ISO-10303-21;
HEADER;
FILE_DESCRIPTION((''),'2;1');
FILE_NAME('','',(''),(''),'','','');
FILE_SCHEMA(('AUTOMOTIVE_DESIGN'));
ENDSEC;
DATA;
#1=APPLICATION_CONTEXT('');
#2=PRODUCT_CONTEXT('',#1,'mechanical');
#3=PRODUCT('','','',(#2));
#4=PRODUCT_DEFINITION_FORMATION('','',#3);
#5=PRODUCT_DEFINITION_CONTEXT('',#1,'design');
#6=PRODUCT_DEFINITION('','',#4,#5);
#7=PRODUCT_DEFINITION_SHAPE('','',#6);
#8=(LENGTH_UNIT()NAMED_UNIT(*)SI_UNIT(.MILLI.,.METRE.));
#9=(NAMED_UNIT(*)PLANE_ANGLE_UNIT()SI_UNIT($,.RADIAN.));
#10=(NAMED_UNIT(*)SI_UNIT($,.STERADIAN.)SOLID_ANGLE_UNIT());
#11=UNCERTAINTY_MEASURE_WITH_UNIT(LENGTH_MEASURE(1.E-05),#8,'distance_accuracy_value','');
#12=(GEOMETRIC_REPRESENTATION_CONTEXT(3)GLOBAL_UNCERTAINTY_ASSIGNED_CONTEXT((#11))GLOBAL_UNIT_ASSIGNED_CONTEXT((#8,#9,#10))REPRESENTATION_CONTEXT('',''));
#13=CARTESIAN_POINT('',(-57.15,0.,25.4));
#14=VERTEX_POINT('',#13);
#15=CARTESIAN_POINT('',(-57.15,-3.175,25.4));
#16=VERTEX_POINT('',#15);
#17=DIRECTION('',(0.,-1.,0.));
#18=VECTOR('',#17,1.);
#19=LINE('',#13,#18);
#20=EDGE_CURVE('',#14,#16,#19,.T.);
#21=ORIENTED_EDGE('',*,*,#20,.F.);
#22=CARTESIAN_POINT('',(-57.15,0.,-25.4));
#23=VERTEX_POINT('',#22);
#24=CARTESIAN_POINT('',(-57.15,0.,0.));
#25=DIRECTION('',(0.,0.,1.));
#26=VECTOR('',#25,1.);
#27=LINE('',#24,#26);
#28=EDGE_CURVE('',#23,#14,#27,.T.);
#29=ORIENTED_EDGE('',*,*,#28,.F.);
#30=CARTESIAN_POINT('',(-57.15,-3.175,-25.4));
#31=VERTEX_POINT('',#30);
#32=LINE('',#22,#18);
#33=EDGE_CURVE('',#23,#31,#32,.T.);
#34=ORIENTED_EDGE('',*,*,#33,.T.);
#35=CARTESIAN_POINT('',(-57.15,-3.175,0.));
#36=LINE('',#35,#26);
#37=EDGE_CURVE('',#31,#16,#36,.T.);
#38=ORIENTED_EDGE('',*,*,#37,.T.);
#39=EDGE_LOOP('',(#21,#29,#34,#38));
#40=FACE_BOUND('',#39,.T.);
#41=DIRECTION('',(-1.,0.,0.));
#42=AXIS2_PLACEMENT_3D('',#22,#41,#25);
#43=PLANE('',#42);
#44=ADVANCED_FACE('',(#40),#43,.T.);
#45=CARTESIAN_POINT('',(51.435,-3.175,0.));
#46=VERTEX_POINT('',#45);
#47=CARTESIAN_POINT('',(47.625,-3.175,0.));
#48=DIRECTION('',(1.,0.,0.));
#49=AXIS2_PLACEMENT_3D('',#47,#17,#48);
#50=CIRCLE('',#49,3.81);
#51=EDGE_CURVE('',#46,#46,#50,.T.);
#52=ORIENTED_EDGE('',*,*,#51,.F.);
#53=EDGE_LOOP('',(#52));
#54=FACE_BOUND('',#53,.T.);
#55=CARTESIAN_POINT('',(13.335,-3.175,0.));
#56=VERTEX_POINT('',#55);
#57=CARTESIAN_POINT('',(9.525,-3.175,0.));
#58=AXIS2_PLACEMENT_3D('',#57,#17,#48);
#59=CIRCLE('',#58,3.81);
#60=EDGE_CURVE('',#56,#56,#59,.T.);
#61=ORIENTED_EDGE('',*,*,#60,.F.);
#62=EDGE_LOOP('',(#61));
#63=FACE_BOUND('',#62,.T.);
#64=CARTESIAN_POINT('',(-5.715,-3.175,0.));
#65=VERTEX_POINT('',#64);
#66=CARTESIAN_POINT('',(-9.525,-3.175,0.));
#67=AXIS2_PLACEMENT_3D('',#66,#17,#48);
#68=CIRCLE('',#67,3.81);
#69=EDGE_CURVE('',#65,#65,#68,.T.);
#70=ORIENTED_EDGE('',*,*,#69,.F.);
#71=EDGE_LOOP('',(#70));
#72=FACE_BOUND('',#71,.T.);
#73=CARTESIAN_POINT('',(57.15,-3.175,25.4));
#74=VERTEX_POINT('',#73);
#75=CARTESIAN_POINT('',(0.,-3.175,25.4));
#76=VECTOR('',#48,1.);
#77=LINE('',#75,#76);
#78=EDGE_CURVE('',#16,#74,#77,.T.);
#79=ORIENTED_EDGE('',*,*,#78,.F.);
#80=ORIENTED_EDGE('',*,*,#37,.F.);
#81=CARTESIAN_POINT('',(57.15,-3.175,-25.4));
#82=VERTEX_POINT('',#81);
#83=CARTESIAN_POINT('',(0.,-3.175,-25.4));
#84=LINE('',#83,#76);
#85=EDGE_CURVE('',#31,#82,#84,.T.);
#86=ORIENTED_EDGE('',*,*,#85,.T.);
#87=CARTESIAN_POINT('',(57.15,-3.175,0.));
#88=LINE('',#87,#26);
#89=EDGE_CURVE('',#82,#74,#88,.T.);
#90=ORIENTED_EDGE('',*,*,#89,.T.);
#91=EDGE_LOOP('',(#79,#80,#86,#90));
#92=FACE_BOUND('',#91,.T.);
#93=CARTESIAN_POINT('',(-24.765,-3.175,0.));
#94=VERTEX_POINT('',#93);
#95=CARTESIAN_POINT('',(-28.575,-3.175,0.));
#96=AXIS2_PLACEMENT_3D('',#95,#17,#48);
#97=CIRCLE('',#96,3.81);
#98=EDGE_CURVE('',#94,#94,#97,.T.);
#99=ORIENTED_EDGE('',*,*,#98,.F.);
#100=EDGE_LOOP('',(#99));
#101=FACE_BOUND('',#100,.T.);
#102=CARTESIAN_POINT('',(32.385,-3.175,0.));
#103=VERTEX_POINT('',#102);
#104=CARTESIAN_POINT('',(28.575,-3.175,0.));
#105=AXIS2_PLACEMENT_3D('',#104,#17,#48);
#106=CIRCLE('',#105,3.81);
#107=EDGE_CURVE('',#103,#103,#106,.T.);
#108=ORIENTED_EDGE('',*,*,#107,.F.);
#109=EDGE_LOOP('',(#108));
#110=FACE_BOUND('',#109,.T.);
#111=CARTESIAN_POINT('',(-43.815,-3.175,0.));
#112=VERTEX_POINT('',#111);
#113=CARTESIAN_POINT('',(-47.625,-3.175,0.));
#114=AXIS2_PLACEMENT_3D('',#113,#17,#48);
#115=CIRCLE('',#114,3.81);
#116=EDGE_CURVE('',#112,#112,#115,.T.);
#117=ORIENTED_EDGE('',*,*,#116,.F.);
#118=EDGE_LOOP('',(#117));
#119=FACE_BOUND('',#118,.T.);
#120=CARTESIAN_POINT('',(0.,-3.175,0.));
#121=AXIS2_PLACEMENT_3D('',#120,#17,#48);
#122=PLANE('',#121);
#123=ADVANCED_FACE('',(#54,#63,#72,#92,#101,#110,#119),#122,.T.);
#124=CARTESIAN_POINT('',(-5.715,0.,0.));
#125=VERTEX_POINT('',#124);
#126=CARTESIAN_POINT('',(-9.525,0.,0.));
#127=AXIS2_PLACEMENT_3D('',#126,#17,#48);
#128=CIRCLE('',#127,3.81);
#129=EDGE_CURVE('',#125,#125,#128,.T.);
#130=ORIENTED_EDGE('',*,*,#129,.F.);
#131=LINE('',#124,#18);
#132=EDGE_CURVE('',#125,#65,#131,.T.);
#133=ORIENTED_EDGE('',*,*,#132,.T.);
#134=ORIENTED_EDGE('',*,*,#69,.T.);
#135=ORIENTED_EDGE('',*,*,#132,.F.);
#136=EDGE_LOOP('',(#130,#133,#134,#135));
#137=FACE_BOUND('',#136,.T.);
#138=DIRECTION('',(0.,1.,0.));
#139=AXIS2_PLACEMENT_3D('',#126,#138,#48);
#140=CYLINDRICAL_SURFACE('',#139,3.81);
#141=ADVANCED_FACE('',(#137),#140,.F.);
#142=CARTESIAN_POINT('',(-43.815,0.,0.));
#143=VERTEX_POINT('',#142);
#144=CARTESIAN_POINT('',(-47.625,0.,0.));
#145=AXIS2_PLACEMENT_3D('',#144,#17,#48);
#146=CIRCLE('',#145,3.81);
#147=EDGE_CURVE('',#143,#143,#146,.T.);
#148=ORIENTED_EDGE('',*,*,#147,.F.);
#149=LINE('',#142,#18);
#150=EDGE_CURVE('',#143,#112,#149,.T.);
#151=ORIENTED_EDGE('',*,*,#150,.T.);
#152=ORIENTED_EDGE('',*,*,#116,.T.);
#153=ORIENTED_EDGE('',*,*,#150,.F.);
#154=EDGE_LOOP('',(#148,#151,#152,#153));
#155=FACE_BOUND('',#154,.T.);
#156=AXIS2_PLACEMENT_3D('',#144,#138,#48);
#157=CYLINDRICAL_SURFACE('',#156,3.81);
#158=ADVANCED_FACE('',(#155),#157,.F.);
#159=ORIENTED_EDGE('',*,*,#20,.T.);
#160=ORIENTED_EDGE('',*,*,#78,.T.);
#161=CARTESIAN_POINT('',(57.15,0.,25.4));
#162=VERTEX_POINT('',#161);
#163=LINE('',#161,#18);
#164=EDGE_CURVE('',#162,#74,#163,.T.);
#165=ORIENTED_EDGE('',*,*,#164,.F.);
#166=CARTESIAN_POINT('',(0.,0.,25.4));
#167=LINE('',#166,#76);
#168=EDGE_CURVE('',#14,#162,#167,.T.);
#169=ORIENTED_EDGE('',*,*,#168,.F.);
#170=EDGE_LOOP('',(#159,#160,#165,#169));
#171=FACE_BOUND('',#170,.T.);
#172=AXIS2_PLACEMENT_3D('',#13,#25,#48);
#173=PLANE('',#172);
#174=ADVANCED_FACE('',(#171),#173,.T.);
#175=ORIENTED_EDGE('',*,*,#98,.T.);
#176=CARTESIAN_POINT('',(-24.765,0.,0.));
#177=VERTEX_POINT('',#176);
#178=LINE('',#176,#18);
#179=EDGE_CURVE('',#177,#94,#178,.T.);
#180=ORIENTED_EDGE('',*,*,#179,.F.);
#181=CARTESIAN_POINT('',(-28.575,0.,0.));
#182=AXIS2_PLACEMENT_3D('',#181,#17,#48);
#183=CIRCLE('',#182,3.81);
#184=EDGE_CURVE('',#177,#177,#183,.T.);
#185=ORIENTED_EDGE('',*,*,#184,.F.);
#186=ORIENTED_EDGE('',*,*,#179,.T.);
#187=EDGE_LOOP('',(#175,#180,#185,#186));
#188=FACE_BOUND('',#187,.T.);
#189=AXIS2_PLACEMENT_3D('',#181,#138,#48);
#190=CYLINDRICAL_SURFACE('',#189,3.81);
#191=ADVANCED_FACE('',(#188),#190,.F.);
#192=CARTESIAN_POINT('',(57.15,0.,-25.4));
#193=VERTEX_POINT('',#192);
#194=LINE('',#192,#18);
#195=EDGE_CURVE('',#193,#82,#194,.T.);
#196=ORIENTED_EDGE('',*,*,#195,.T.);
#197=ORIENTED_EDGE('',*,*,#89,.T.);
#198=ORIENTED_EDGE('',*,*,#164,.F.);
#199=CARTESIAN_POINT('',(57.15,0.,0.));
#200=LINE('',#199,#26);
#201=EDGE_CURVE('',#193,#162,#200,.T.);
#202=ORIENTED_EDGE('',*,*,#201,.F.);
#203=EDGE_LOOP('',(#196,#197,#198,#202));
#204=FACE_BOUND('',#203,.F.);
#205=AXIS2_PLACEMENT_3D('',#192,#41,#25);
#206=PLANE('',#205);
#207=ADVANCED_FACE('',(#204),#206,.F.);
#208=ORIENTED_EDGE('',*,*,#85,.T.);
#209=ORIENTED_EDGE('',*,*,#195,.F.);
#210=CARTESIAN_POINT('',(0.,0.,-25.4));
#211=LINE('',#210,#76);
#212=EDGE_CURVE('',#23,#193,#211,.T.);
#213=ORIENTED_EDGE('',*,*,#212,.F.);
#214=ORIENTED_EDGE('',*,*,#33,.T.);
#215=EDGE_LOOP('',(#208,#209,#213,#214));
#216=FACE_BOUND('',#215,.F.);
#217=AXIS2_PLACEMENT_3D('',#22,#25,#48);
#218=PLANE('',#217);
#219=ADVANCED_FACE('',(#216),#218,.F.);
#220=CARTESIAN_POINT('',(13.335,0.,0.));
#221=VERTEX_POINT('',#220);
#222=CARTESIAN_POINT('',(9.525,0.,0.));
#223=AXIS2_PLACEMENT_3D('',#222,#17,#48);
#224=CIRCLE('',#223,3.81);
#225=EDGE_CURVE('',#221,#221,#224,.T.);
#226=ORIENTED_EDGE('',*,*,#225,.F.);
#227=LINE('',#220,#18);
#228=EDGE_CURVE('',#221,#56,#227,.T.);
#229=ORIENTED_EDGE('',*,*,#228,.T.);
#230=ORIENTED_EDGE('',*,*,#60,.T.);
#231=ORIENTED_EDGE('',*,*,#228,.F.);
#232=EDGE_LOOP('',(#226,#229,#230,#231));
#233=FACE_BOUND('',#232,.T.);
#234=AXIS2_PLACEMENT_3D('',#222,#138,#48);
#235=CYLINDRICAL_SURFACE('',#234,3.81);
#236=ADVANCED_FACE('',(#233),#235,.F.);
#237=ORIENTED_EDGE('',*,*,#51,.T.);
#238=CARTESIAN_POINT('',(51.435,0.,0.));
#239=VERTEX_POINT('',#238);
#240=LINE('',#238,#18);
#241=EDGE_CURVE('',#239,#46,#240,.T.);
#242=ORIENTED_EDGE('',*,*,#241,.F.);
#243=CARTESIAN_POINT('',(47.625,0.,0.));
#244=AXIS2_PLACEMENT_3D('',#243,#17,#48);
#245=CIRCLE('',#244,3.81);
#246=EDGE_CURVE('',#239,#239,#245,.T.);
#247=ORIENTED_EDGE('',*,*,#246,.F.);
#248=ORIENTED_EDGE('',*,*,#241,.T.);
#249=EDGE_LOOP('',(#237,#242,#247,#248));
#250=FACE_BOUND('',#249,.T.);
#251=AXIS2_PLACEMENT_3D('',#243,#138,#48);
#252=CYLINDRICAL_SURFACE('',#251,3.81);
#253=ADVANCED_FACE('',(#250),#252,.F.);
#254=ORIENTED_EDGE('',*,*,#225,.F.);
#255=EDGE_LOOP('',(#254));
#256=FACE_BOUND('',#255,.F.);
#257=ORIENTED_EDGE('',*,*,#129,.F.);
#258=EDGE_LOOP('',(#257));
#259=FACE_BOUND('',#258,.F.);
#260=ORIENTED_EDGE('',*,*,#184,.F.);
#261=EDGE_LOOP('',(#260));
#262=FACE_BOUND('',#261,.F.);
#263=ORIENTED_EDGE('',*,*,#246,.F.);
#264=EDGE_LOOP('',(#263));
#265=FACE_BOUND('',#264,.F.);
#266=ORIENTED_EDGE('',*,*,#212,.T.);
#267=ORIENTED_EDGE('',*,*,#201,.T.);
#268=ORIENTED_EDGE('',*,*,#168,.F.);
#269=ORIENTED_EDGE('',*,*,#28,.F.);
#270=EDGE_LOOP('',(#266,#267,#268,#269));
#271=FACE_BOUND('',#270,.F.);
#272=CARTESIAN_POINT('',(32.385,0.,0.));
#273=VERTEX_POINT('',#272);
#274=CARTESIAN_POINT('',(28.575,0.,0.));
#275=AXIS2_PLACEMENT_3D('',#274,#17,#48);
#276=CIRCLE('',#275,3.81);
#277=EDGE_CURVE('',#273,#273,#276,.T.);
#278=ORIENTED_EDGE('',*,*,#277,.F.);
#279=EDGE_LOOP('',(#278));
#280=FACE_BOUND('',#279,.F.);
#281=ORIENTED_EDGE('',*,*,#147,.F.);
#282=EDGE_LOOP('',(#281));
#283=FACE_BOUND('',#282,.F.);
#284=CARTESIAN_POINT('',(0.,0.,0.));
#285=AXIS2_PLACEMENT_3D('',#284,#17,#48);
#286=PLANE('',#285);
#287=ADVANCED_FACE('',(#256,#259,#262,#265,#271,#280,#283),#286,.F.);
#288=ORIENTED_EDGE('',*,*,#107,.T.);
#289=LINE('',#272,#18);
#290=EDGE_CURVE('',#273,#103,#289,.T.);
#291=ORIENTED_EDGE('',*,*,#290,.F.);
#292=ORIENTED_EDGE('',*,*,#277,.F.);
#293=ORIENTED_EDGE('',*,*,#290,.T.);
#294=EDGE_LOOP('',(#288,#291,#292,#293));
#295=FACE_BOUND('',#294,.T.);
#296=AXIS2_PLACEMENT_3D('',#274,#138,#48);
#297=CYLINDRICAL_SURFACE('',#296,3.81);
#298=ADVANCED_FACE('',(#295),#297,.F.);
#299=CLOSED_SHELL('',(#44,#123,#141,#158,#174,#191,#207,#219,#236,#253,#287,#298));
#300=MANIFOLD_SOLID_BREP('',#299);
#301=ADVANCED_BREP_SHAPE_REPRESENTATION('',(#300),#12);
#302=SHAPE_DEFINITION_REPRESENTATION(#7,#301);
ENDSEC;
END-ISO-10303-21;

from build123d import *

# Parameters (mm, degrees)
F0_W     = 114.3
F0_H     = 50.8
F0_R     = 3.81
F1_DEPTH = 3.175


with BuildPart() as f1:
    # F0 (on Front) → F1 (new body)
    with BuildSketch(Plane.XZ):
        Rectangle(F0_W, F0_H)
        with Locations((-47.625, 0)):
            Circle(F0_R, mode=Mode.SUBTRACT)
        with Locations((-28.575, 0)):
            Circle(F0_R, mode=Mode.SUBTRACT)
        with Locations((-9.525, 0)):
            Circle(F0_R, mode=Mode.SUBTRACT)
        with Locations((9.525, 0)):
            Circle(F0_R, mode=Mode.SUBTRACT)
        with Locations((28.575, 0)):
            Circle(F0_R, mode=Mode.SUBTRACT)
        with Locations((47.625, 0)):
            Circle(F0_R, mode=Mode.SUBTRACT)
    extrude(amount=F1_DEPTH)


solid = f1.part
